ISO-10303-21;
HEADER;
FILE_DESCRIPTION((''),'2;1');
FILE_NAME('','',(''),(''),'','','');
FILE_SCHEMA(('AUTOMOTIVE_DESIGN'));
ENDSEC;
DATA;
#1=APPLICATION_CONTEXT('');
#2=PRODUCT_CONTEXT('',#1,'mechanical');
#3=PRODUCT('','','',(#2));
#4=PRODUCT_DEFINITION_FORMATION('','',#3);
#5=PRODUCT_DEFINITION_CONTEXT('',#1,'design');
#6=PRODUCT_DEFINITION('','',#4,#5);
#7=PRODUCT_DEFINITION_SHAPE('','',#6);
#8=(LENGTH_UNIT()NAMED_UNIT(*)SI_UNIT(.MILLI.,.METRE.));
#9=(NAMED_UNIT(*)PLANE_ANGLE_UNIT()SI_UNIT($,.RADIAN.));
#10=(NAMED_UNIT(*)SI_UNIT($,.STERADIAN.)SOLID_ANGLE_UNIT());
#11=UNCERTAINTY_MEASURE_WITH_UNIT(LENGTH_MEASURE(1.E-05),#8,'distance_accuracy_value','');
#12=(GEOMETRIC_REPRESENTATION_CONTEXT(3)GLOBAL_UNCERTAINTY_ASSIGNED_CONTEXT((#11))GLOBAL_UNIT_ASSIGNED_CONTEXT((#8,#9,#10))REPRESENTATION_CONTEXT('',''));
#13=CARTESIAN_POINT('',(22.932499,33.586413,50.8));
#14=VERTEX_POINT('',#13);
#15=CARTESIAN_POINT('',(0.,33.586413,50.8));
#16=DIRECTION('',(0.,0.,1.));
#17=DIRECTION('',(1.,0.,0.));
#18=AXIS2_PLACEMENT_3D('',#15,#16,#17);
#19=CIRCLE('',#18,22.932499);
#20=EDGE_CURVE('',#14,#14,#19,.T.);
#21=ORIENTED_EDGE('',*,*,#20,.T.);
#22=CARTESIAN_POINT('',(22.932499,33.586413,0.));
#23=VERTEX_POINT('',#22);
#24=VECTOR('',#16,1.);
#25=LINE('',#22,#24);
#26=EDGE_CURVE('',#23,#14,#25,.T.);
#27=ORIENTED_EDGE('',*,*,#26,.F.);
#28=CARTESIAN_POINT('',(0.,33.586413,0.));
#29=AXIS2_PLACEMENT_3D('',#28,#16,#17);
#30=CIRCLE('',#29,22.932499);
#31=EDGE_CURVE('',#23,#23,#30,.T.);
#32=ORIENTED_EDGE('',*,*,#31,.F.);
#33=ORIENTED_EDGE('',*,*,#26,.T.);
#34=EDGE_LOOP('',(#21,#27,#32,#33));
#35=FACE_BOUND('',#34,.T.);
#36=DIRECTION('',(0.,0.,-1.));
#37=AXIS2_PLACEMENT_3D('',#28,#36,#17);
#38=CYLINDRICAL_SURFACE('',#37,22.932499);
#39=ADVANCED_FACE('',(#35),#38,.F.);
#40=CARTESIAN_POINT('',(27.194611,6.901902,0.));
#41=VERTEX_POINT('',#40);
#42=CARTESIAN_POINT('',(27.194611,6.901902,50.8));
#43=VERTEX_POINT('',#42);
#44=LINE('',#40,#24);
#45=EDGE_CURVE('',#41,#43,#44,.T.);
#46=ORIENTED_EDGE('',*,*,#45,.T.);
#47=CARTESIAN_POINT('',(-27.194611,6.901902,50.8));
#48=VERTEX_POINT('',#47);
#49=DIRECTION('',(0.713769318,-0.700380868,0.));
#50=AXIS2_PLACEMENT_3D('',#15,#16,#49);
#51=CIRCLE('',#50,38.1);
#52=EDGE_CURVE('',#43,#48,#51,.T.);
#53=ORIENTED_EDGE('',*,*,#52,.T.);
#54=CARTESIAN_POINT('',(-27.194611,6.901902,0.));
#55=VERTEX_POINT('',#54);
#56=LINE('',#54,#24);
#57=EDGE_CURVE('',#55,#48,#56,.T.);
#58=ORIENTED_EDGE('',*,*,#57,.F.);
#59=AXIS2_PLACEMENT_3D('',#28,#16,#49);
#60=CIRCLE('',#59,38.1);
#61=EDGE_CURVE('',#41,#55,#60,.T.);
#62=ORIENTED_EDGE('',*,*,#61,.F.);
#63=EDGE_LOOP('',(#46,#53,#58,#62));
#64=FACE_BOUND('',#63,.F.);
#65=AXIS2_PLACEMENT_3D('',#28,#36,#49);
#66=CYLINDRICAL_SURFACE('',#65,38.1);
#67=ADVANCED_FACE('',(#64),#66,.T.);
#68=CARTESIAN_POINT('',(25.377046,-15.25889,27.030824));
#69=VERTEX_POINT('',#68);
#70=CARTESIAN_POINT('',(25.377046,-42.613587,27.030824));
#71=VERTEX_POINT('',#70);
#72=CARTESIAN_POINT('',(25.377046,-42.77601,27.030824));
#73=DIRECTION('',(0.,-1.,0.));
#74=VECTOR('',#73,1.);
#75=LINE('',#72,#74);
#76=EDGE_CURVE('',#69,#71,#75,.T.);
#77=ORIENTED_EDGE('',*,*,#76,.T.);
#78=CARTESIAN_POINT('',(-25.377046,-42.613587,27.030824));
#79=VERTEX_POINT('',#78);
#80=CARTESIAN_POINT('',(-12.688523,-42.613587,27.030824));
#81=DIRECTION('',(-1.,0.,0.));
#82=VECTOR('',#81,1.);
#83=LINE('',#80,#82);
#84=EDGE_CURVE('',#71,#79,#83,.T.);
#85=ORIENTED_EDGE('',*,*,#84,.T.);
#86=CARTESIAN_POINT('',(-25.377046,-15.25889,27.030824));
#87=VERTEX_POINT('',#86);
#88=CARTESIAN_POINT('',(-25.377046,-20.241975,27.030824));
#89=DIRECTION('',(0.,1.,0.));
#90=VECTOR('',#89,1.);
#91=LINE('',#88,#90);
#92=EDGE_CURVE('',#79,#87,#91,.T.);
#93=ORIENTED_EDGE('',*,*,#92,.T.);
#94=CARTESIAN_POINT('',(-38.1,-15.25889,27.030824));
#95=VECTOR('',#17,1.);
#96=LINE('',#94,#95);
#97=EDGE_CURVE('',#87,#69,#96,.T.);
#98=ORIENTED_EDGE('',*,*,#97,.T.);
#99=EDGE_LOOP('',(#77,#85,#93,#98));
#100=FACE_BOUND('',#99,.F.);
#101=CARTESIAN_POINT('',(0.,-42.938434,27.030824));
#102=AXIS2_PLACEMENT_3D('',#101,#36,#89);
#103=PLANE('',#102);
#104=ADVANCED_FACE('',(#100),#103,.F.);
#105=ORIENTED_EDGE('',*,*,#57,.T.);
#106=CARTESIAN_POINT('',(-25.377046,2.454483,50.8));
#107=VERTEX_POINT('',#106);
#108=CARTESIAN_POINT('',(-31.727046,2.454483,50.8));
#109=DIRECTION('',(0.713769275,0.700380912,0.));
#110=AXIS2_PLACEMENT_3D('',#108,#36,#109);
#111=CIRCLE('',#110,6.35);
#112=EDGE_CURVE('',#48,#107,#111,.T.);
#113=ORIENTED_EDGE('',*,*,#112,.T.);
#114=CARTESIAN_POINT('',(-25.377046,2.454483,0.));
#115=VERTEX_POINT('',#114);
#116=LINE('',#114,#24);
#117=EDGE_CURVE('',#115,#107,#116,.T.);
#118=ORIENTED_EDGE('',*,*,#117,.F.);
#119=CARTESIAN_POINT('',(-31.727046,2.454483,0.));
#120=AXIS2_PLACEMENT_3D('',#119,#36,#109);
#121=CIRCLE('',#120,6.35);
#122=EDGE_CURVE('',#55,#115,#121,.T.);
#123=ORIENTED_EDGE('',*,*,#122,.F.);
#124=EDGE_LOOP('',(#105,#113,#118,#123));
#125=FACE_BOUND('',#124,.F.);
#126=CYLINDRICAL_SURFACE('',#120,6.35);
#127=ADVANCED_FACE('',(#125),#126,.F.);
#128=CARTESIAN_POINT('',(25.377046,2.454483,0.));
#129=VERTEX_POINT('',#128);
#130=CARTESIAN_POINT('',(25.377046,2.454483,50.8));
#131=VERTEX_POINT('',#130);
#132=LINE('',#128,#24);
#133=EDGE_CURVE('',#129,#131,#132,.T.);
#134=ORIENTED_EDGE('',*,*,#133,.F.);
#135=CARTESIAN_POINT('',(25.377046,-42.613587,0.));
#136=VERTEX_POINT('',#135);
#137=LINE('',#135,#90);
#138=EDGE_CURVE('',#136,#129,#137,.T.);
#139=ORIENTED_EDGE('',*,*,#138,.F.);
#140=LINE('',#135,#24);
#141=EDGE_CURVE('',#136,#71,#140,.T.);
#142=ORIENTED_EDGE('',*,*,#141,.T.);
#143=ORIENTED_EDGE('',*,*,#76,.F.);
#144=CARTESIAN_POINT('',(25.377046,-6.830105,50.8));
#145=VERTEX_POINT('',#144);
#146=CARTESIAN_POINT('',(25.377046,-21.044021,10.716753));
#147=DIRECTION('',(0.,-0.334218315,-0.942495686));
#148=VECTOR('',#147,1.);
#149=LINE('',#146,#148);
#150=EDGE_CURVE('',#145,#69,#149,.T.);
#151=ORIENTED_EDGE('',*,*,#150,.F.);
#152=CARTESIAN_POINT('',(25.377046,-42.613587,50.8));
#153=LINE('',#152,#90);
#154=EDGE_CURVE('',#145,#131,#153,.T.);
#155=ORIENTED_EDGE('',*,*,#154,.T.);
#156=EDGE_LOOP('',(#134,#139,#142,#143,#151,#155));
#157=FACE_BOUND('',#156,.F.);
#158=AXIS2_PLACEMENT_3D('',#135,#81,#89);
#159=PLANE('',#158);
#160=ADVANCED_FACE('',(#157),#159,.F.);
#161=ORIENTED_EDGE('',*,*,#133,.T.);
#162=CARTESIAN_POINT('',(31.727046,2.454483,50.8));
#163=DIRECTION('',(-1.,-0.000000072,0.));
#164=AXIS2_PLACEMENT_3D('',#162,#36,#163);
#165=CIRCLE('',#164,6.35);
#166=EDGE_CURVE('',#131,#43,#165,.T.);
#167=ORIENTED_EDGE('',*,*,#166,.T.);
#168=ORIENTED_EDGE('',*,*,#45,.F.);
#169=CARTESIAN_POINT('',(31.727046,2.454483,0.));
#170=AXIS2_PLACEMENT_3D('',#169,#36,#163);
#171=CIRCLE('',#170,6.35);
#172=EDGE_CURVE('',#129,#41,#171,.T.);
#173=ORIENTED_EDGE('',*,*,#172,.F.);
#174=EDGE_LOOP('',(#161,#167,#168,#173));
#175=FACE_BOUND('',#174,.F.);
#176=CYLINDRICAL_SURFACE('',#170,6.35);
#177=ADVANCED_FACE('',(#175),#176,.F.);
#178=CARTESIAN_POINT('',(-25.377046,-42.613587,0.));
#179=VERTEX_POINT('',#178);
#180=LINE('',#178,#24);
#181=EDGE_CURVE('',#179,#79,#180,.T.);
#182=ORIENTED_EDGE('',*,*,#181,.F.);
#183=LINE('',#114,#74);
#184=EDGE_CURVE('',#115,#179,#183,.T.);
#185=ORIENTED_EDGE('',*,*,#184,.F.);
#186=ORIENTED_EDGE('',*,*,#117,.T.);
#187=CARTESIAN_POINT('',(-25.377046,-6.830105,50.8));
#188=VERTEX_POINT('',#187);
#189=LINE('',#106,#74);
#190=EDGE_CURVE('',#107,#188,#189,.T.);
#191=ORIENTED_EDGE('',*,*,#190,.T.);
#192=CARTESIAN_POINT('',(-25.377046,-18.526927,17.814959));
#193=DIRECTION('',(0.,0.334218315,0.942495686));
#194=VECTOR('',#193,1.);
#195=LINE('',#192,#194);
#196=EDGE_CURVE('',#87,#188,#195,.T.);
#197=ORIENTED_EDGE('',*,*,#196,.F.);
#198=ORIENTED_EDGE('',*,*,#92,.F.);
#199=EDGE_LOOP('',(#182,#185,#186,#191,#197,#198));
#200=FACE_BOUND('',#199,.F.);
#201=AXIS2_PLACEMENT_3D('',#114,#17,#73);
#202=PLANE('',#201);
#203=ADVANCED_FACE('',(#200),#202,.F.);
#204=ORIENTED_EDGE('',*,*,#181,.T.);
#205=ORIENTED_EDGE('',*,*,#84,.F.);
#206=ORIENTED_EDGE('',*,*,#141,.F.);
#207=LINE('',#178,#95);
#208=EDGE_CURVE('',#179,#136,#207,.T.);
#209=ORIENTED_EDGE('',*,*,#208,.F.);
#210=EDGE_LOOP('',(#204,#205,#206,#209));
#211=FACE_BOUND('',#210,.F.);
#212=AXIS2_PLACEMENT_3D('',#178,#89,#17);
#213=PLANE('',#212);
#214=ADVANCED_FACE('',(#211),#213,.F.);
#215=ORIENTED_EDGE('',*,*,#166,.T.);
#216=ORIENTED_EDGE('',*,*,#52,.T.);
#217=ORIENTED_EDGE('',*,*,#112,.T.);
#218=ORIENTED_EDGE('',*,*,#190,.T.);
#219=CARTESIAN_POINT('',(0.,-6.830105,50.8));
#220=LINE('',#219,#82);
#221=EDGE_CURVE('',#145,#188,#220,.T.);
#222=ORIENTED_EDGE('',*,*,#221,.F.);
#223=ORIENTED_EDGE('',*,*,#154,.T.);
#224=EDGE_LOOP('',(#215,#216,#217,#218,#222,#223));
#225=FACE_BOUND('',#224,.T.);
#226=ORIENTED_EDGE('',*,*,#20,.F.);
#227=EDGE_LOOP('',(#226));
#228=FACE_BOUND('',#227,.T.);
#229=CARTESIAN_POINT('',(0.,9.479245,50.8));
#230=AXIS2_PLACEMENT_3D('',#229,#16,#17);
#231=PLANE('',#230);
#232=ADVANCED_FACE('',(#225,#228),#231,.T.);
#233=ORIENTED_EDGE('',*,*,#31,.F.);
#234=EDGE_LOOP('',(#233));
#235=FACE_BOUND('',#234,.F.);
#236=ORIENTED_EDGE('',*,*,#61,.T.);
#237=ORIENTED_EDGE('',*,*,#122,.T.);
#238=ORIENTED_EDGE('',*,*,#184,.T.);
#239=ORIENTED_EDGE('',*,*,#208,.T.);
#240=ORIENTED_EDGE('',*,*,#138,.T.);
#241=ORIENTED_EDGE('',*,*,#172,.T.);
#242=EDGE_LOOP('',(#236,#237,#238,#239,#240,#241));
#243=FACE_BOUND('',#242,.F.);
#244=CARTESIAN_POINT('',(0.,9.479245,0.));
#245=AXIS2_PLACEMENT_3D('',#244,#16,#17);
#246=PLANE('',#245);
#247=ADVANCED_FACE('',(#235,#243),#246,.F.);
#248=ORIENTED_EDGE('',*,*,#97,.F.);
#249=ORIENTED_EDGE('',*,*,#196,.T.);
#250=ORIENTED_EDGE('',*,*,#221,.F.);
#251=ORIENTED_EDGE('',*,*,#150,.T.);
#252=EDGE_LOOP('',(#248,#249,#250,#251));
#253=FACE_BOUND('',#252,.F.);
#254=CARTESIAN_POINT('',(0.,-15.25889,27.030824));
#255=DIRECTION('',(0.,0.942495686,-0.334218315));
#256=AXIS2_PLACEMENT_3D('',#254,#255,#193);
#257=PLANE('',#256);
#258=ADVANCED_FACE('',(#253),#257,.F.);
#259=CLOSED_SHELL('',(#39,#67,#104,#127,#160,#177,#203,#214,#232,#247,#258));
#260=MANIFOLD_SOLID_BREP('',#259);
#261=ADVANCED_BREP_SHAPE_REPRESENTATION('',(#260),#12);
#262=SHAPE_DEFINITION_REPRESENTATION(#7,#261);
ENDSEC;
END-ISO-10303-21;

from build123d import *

# Parameters (mm, degrees)
F0_R     = 22.932499
F1_DEPTH = 50.8
F3_DEPTH = 38.1


with BuildPart() as f1:
    # F0 (on Top) → F1 (new body)
    with BuildSketch(Plane.XY):
        with BuildLine():
            ThreePointArc((25.377046, 2.454483), (25.848974, 4.856726), (27.194611, 6.901902))
            ThreePointArc((27.194611, 6.901902), (0, 71.686413), (-27.194611, 6.901902))
            ThreePointArc((-27.194611, 6.901902), (-25.848974, 4.856726), (-25.377046, 2.454483))
            Line((-25.377046, 2.454483), (-25.377046, -42.613587))
            Line((-25.377046, -42.613587), (25.377046, -42.613587))
            Line((25.377046, -42.613587), (25.377046, 2.454483))
        make_face()
        with Locations((0, 33.586413)):
            Circle(F0_R, mode=Mode.SUBTRACT)
    extrude(amount=F1_DEPTH)

    # F2 (on Right) → F3 (cut, symmetric)
    with BuildSketch(Plane.YZ):
        Polygon((-47.515366, 27.248772), (-42.938434, 27.030824), (-15.25889, 27.030824), (-4.361433, 57.761654), (-47.515366, 57.761654), align=None)
    extrude(amount=F3_DEPTH, both=True, mode=Mode.SUBTRACT)


solid = f1.part
